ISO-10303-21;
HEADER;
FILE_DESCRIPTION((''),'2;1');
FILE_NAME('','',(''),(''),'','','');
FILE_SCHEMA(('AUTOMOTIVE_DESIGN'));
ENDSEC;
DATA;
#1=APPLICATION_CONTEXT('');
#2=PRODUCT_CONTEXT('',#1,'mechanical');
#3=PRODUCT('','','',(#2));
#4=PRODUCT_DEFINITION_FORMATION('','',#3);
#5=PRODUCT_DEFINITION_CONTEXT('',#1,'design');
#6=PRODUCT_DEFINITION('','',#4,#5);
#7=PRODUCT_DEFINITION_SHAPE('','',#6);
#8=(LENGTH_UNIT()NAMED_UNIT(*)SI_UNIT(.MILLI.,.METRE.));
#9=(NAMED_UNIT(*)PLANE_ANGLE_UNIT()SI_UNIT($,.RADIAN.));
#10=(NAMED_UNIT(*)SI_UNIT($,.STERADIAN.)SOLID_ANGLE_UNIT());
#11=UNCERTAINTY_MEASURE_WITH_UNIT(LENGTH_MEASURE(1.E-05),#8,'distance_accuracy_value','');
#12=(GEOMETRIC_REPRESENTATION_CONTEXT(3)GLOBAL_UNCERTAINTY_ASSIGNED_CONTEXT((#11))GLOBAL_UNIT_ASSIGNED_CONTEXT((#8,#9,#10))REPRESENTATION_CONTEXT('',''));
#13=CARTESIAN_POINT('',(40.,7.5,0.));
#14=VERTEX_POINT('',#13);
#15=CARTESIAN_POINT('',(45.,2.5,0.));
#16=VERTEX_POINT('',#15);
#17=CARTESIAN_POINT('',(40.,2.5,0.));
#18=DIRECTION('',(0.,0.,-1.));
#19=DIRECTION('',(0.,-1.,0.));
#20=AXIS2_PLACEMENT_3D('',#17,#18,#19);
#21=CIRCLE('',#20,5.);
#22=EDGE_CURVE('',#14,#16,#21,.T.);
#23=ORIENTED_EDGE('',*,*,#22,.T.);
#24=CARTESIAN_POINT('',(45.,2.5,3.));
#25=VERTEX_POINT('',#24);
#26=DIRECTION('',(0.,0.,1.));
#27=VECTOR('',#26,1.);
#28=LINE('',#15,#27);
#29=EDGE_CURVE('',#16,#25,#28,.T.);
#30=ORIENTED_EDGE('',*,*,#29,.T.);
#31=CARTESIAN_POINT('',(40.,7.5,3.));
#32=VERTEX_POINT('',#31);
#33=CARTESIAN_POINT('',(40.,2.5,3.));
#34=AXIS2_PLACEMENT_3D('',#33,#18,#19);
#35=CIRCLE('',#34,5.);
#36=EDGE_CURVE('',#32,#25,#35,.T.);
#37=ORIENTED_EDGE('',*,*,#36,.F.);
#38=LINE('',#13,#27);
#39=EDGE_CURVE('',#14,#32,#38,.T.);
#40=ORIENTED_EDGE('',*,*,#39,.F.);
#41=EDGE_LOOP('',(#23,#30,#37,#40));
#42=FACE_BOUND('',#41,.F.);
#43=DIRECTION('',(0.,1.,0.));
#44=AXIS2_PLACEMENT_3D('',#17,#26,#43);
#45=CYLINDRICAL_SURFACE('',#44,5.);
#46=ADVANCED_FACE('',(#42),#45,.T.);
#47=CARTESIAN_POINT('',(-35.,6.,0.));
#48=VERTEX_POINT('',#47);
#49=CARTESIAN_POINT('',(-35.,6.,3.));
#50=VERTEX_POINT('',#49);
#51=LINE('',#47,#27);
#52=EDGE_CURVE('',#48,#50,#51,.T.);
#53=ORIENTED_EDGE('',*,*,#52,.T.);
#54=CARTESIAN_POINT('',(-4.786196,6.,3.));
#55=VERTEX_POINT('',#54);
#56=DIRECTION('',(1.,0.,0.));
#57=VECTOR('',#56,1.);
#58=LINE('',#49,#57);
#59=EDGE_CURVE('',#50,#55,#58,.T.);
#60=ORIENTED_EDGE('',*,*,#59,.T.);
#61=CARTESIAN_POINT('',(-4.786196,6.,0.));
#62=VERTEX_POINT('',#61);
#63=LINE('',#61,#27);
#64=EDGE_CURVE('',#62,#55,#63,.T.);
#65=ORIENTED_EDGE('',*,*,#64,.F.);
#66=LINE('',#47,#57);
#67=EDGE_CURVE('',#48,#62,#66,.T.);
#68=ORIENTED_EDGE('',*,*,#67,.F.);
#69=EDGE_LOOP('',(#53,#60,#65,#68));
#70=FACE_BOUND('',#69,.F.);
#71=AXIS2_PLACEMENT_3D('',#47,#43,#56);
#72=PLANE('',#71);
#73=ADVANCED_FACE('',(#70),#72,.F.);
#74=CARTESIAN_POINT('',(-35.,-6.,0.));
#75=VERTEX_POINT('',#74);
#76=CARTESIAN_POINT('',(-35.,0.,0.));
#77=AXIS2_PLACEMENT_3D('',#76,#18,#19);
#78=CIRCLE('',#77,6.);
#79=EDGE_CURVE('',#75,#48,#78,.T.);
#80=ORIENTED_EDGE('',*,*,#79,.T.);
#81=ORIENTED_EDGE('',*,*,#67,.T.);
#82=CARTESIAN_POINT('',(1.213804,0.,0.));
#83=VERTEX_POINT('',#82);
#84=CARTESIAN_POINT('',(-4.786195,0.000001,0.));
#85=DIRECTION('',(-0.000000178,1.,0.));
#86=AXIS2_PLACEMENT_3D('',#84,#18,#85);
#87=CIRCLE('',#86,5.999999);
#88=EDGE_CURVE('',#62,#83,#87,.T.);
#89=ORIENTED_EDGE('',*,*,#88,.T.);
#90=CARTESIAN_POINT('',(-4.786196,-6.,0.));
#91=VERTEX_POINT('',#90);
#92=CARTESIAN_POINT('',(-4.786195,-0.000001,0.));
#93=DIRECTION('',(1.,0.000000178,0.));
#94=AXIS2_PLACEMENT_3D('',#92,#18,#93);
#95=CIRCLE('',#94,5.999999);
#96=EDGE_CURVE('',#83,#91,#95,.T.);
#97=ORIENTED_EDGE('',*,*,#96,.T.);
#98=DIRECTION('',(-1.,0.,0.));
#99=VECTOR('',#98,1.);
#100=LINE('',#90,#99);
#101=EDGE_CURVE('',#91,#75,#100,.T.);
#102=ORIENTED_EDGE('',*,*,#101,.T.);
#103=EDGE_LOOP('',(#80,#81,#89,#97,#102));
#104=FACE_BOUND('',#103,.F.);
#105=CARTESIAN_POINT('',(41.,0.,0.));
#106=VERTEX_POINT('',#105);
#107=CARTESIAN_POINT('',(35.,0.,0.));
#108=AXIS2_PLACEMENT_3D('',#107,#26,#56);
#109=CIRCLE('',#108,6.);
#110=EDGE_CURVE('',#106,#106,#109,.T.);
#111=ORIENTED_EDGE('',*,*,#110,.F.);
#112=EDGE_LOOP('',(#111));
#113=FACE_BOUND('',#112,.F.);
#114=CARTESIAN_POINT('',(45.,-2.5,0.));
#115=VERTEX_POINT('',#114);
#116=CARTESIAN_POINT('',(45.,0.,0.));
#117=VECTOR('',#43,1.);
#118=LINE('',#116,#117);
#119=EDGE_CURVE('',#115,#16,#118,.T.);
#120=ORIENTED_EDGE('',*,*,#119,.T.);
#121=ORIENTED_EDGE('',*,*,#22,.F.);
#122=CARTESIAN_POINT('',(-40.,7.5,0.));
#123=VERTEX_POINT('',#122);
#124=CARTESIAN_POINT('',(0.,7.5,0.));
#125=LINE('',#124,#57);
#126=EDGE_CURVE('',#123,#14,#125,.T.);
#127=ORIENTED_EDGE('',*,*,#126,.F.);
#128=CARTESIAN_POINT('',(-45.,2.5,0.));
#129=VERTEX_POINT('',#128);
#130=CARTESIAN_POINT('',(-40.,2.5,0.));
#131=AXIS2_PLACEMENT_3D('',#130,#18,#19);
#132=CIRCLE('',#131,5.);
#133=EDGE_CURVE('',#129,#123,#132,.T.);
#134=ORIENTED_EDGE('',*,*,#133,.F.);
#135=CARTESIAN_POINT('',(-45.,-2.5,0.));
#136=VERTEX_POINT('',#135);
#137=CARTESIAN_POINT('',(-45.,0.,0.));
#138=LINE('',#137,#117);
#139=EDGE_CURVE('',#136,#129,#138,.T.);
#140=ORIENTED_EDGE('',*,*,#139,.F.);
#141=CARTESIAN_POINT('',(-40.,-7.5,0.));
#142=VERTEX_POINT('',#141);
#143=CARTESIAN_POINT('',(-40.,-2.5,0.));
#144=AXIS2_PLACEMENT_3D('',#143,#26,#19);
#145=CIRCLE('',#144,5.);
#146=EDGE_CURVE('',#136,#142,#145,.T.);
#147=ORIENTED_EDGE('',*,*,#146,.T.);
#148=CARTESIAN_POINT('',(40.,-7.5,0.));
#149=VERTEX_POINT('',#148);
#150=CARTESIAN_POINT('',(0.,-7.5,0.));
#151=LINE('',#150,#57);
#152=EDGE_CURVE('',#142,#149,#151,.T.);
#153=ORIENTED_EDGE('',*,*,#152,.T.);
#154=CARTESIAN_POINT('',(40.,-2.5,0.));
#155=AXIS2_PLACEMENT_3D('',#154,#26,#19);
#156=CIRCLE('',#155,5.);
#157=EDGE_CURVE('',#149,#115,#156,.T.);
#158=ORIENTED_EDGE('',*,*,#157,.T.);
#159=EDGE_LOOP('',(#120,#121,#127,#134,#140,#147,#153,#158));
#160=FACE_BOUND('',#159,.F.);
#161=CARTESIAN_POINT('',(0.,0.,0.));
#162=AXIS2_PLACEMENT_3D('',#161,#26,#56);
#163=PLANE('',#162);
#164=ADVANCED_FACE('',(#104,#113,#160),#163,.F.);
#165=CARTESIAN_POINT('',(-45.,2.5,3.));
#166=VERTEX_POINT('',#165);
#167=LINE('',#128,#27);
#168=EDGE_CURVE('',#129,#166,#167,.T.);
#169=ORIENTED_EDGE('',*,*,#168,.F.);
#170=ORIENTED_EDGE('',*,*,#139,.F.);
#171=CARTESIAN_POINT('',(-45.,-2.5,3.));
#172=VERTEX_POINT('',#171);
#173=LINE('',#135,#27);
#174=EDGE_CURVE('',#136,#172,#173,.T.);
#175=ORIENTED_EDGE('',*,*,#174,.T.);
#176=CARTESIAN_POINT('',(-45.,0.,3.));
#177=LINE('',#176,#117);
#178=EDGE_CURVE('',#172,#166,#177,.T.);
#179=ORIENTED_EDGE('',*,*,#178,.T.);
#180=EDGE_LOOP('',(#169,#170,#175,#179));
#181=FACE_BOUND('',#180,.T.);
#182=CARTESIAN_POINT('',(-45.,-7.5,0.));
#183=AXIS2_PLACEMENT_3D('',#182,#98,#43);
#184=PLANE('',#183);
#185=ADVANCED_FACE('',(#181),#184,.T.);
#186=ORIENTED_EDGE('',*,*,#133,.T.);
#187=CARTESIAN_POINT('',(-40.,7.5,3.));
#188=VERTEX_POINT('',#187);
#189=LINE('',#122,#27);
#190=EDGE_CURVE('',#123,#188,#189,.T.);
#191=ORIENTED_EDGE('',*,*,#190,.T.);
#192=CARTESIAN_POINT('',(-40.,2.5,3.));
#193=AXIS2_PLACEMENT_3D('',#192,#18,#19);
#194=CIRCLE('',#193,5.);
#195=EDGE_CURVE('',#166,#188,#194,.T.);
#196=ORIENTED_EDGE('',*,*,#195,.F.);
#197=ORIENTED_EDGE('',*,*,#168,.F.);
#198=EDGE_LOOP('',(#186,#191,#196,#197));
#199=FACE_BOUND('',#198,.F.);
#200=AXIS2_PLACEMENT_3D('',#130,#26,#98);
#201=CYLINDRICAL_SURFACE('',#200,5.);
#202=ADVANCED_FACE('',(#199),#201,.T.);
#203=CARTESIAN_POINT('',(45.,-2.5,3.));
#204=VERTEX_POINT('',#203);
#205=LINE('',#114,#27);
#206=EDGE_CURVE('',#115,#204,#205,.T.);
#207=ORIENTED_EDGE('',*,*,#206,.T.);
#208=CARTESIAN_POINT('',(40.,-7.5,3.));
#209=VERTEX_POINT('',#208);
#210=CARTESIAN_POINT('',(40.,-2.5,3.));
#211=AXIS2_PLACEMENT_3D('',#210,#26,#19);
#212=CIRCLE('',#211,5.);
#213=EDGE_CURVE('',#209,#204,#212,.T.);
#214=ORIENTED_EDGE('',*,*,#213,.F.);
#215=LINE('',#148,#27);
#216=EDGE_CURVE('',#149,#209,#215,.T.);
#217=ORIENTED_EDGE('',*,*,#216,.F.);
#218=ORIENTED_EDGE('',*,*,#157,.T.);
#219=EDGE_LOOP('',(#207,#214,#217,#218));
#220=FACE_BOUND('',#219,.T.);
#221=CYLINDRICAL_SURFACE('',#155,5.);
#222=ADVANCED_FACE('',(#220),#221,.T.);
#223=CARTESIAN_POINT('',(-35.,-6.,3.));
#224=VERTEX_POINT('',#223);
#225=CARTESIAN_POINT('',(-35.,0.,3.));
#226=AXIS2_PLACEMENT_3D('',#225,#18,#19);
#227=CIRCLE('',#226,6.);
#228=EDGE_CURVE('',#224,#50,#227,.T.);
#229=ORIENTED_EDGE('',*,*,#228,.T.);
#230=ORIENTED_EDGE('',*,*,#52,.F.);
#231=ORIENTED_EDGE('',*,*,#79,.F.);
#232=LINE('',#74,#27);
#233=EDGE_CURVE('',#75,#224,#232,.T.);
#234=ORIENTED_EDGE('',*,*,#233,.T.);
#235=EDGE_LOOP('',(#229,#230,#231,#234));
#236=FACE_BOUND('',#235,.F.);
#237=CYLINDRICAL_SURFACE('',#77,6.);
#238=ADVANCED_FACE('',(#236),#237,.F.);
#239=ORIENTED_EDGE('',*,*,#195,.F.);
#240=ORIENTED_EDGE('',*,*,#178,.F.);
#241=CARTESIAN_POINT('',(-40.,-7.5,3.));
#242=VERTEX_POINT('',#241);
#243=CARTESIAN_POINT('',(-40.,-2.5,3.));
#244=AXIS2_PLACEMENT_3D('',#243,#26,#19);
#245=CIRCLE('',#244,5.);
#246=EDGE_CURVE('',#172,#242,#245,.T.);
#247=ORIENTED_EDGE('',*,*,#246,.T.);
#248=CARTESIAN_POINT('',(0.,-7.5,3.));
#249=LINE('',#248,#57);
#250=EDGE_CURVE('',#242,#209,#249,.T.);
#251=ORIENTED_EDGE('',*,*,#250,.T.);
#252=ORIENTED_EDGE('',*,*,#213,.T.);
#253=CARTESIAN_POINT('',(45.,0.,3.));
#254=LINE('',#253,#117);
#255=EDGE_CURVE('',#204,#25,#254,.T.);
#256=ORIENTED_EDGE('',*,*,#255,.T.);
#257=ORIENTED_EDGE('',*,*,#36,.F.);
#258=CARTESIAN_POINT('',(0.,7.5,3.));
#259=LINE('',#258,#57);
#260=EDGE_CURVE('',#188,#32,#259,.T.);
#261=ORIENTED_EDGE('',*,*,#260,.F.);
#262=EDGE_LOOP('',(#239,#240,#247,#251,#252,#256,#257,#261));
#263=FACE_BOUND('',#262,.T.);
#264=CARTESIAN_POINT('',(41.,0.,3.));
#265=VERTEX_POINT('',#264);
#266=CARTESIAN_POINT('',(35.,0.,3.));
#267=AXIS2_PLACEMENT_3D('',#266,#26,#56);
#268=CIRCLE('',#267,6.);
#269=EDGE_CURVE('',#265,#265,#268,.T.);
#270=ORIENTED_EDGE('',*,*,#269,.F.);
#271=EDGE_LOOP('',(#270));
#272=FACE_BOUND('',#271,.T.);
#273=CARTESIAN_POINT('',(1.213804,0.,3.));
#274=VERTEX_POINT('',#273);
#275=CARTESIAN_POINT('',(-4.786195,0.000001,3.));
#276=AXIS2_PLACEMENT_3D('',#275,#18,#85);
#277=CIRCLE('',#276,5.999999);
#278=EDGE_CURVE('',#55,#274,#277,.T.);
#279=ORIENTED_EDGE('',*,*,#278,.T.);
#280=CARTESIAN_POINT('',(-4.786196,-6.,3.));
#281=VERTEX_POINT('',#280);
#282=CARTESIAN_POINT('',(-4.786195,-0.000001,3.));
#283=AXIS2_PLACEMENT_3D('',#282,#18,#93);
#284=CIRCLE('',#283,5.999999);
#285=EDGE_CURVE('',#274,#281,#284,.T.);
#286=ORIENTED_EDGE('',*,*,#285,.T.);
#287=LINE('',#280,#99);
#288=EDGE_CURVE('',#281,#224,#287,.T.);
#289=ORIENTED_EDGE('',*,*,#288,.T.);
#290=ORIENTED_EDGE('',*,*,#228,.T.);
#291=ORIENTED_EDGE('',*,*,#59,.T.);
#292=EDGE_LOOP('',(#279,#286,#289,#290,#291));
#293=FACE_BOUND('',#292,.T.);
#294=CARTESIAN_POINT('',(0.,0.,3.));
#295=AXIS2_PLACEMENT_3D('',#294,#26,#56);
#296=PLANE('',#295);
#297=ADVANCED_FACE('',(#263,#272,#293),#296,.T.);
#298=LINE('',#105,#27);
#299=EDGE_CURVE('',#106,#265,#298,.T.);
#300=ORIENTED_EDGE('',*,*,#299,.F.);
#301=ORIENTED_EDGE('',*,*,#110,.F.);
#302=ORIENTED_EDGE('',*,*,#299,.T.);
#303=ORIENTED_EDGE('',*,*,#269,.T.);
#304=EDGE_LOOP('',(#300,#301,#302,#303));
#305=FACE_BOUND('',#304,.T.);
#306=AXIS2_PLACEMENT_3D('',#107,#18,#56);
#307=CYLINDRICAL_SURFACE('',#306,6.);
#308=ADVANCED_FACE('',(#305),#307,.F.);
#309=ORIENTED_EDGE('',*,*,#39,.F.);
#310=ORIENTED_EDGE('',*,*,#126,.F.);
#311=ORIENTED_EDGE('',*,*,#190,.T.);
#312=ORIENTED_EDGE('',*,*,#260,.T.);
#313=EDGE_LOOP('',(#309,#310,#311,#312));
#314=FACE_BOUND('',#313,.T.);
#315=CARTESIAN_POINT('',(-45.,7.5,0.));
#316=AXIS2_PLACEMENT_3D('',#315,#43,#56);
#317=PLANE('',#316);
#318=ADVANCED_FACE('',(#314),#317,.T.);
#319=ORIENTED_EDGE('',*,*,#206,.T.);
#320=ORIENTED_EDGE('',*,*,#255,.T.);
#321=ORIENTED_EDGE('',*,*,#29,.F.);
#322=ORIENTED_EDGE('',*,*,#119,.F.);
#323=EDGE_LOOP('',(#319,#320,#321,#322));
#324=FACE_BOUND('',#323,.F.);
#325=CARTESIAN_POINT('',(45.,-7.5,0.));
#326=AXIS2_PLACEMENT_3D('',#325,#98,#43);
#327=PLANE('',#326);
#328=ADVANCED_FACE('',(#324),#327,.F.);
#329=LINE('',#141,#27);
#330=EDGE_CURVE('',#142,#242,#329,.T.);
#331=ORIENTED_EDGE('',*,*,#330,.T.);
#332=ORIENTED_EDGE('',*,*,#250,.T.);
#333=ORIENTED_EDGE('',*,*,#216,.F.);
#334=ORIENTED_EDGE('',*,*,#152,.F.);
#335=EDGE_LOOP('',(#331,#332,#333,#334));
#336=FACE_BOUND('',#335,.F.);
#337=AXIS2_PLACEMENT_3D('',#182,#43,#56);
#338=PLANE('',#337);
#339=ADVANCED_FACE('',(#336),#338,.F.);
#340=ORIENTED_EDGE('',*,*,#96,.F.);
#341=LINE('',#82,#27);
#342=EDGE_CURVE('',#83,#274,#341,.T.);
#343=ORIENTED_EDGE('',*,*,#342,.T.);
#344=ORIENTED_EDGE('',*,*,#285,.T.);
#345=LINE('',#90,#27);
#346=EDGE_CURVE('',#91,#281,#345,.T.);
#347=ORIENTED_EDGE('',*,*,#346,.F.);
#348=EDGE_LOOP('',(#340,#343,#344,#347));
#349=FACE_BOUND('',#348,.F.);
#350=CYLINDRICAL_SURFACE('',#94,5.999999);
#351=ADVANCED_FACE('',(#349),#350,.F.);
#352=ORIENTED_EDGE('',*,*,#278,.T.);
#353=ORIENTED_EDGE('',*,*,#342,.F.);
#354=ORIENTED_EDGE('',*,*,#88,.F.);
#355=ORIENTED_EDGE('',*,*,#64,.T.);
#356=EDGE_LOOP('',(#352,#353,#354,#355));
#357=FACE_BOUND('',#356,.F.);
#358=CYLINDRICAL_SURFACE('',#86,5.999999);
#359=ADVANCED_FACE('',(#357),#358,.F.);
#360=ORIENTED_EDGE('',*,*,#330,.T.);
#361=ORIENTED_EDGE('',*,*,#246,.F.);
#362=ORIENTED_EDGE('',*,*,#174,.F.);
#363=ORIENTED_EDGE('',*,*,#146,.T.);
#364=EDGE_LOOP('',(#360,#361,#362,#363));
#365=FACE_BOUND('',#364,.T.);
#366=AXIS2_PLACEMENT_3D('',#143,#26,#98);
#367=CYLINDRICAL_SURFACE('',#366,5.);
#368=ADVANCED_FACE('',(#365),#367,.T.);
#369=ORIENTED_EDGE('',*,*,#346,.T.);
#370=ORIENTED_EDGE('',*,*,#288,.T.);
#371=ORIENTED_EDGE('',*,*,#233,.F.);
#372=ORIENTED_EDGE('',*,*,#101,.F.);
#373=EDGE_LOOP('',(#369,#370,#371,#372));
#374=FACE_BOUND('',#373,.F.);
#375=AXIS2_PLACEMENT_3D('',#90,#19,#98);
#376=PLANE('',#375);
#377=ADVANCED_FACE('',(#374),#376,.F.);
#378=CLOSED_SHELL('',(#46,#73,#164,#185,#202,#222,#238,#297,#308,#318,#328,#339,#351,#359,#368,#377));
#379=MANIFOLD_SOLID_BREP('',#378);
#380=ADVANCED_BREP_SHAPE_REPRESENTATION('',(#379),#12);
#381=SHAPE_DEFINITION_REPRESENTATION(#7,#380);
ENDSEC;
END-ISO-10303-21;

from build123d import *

# Parameters (mm, degrees)
F0_W     = 90
F0_H     = 15
F0_R     = 6
F1_DEPTH = 3
F2_R     = 5


with BuildPart() as f1:
    # F0 (on Top) → F1 (new body)
    with BuildSketch(Plane.XY):
        Rectangle(F0_W, F0_H)
        with BuildLine():
            ThreePointArc((-35, -6), (-41, 0), (-35, 6))
            Line((-35, 6), (-4.786196, 6))
            ThreePointArc((-4.786196, 6), (-0.543555, 4.242641), (1.213804, 0))
            ThreePointArc((1.213804, 0), (-0.543555, -4.242641), (-4.786196, -6))
            Line((-4.786196, -6), (-35, -6))
        make_face(mode=Mode.SUBTRACT)
        with Locations((35, 0)):
            Circle(F0_R, mode=Mode.SUBTRACT)
    extrude(amount=F1_DEPTH)

    # F2
    f2_edges = [f1.edges().sort_by_distance(p)[0] for p in [
        (-45, -7.5, 1.5),
        (-45, 7.5, 1.5),
        (45, -7.5, 1.5),
        (45, 7.5, 1.5),
    ]]
    fillet(f2_edges, radius=F2_R)


solid = f1.part
